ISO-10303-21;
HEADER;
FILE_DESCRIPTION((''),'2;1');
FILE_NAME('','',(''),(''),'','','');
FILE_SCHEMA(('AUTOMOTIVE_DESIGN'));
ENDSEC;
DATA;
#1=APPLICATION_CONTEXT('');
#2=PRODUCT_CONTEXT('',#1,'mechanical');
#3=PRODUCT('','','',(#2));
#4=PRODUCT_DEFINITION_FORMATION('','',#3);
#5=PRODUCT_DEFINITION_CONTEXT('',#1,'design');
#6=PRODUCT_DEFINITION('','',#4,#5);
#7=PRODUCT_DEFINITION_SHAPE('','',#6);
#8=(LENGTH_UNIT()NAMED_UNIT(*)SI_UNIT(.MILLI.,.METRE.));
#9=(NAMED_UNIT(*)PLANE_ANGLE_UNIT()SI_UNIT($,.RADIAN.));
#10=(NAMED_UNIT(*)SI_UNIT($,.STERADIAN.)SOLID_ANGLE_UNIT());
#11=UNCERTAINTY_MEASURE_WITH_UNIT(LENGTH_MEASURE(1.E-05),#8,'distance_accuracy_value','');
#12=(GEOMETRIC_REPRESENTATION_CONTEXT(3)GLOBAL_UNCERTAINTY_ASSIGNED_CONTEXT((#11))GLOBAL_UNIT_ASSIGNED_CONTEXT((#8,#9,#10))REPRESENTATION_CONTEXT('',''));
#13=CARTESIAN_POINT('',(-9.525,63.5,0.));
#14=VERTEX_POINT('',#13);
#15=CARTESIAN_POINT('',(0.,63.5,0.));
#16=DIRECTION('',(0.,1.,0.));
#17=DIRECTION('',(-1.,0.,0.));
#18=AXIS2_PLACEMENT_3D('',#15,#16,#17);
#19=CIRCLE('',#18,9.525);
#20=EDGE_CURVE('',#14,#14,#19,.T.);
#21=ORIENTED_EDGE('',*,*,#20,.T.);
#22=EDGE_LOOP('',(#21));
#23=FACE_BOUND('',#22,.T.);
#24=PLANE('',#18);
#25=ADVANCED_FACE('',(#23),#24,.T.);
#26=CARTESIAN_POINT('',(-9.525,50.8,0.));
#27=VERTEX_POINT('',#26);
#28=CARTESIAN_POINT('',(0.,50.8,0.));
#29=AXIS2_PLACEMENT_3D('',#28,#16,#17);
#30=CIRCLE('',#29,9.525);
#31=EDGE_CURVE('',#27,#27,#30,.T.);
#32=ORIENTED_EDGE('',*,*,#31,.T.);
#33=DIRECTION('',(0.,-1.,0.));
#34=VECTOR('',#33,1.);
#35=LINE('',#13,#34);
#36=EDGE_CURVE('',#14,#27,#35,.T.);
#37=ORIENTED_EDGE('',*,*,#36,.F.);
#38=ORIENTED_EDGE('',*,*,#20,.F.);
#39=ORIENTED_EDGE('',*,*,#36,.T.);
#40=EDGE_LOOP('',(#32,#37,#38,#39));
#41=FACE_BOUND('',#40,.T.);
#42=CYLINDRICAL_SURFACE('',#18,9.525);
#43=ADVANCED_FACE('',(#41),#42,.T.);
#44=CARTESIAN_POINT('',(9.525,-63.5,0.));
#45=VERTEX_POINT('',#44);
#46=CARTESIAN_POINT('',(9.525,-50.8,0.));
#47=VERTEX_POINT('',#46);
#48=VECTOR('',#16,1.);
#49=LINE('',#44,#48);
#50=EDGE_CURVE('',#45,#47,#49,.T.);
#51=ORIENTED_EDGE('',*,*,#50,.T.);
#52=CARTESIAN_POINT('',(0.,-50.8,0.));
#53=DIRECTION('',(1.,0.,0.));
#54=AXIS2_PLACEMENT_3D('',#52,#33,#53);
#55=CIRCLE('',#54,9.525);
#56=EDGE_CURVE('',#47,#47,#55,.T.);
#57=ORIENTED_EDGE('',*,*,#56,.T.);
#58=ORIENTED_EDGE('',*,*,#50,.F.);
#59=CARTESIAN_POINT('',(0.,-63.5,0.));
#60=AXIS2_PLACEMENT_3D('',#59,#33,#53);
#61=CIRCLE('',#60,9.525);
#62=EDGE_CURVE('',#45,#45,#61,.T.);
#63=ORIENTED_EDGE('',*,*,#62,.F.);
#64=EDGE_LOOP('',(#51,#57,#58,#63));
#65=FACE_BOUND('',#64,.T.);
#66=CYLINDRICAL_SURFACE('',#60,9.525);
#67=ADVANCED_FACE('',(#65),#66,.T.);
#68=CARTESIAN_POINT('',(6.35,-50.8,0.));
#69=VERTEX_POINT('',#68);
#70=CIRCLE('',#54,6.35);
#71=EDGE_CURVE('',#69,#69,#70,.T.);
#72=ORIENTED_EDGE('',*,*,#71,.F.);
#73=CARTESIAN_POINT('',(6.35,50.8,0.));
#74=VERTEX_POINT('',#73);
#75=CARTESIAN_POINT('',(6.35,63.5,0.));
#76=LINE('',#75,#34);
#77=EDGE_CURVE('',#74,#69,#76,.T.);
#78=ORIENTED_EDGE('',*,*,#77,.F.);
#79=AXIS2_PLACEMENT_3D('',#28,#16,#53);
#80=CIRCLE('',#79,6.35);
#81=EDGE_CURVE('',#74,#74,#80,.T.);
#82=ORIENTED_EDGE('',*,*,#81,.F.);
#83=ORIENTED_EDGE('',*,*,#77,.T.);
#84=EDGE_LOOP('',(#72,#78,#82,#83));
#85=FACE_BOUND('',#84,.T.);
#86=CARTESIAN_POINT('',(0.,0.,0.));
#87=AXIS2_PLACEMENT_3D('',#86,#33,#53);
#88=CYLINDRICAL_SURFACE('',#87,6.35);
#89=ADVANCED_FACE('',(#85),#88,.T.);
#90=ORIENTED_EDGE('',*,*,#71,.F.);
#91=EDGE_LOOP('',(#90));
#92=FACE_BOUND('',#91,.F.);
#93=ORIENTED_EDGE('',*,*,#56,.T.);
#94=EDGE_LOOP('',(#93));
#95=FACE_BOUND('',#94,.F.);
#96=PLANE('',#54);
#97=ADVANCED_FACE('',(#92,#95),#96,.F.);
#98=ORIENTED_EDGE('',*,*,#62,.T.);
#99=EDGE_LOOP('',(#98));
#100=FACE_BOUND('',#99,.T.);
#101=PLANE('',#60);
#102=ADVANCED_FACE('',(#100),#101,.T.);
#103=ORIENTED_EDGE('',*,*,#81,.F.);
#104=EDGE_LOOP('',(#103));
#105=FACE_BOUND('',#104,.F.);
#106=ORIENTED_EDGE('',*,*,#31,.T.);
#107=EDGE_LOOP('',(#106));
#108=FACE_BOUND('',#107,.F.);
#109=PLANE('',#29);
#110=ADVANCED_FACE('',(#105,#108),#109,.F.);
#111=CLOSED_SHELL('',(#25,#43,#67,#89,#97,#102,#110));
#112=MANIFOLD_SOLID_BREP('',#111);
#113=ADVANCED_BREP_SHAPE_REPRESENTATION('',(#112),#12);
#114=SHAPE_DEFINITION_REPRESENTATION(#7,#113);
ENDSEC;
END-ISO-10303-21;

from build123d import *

# Parameters (mm, degrees)
F0_R     = 6.35
F1_DEPTH = 63.5
F3_R     = 9.525
F3_R_2   = 6.35
F4_DEPTH = 12.7
F2_R     = 9.525
F2_R_2   = 6.35
F5_DEPTH = 12.7


with BuildPart() as f1:
    # F0 (on Front) → F1 (new body, symmetric)
    with BuildSketch(Plane.XZ):
        Circle(F0_R)
    extrude(amount=F1_DEPTH, both=True)

    # F3 (on face) → F4 (join)
    with BuildSketch(Plane(origin=(0, 63.5, 0), x_dir=(-1, 0, 0), z_dir=(0, 1, 0))):
        Circle(F3_R)
        Circle(F3_R_2, mode=Mode.SUBTRACT)
    extrude(amount=-F4_DEPTH)

    # F2 (on face) → F5 (join)
    with BuildSketch(Plane.XZ.offset(63.5)):
        Circle(F2_R)
        Circle(F2_R_2, mode=Mode.SUBTRACT)
    extrude(amount=-F5_DEPTH)


solid = f1.part
